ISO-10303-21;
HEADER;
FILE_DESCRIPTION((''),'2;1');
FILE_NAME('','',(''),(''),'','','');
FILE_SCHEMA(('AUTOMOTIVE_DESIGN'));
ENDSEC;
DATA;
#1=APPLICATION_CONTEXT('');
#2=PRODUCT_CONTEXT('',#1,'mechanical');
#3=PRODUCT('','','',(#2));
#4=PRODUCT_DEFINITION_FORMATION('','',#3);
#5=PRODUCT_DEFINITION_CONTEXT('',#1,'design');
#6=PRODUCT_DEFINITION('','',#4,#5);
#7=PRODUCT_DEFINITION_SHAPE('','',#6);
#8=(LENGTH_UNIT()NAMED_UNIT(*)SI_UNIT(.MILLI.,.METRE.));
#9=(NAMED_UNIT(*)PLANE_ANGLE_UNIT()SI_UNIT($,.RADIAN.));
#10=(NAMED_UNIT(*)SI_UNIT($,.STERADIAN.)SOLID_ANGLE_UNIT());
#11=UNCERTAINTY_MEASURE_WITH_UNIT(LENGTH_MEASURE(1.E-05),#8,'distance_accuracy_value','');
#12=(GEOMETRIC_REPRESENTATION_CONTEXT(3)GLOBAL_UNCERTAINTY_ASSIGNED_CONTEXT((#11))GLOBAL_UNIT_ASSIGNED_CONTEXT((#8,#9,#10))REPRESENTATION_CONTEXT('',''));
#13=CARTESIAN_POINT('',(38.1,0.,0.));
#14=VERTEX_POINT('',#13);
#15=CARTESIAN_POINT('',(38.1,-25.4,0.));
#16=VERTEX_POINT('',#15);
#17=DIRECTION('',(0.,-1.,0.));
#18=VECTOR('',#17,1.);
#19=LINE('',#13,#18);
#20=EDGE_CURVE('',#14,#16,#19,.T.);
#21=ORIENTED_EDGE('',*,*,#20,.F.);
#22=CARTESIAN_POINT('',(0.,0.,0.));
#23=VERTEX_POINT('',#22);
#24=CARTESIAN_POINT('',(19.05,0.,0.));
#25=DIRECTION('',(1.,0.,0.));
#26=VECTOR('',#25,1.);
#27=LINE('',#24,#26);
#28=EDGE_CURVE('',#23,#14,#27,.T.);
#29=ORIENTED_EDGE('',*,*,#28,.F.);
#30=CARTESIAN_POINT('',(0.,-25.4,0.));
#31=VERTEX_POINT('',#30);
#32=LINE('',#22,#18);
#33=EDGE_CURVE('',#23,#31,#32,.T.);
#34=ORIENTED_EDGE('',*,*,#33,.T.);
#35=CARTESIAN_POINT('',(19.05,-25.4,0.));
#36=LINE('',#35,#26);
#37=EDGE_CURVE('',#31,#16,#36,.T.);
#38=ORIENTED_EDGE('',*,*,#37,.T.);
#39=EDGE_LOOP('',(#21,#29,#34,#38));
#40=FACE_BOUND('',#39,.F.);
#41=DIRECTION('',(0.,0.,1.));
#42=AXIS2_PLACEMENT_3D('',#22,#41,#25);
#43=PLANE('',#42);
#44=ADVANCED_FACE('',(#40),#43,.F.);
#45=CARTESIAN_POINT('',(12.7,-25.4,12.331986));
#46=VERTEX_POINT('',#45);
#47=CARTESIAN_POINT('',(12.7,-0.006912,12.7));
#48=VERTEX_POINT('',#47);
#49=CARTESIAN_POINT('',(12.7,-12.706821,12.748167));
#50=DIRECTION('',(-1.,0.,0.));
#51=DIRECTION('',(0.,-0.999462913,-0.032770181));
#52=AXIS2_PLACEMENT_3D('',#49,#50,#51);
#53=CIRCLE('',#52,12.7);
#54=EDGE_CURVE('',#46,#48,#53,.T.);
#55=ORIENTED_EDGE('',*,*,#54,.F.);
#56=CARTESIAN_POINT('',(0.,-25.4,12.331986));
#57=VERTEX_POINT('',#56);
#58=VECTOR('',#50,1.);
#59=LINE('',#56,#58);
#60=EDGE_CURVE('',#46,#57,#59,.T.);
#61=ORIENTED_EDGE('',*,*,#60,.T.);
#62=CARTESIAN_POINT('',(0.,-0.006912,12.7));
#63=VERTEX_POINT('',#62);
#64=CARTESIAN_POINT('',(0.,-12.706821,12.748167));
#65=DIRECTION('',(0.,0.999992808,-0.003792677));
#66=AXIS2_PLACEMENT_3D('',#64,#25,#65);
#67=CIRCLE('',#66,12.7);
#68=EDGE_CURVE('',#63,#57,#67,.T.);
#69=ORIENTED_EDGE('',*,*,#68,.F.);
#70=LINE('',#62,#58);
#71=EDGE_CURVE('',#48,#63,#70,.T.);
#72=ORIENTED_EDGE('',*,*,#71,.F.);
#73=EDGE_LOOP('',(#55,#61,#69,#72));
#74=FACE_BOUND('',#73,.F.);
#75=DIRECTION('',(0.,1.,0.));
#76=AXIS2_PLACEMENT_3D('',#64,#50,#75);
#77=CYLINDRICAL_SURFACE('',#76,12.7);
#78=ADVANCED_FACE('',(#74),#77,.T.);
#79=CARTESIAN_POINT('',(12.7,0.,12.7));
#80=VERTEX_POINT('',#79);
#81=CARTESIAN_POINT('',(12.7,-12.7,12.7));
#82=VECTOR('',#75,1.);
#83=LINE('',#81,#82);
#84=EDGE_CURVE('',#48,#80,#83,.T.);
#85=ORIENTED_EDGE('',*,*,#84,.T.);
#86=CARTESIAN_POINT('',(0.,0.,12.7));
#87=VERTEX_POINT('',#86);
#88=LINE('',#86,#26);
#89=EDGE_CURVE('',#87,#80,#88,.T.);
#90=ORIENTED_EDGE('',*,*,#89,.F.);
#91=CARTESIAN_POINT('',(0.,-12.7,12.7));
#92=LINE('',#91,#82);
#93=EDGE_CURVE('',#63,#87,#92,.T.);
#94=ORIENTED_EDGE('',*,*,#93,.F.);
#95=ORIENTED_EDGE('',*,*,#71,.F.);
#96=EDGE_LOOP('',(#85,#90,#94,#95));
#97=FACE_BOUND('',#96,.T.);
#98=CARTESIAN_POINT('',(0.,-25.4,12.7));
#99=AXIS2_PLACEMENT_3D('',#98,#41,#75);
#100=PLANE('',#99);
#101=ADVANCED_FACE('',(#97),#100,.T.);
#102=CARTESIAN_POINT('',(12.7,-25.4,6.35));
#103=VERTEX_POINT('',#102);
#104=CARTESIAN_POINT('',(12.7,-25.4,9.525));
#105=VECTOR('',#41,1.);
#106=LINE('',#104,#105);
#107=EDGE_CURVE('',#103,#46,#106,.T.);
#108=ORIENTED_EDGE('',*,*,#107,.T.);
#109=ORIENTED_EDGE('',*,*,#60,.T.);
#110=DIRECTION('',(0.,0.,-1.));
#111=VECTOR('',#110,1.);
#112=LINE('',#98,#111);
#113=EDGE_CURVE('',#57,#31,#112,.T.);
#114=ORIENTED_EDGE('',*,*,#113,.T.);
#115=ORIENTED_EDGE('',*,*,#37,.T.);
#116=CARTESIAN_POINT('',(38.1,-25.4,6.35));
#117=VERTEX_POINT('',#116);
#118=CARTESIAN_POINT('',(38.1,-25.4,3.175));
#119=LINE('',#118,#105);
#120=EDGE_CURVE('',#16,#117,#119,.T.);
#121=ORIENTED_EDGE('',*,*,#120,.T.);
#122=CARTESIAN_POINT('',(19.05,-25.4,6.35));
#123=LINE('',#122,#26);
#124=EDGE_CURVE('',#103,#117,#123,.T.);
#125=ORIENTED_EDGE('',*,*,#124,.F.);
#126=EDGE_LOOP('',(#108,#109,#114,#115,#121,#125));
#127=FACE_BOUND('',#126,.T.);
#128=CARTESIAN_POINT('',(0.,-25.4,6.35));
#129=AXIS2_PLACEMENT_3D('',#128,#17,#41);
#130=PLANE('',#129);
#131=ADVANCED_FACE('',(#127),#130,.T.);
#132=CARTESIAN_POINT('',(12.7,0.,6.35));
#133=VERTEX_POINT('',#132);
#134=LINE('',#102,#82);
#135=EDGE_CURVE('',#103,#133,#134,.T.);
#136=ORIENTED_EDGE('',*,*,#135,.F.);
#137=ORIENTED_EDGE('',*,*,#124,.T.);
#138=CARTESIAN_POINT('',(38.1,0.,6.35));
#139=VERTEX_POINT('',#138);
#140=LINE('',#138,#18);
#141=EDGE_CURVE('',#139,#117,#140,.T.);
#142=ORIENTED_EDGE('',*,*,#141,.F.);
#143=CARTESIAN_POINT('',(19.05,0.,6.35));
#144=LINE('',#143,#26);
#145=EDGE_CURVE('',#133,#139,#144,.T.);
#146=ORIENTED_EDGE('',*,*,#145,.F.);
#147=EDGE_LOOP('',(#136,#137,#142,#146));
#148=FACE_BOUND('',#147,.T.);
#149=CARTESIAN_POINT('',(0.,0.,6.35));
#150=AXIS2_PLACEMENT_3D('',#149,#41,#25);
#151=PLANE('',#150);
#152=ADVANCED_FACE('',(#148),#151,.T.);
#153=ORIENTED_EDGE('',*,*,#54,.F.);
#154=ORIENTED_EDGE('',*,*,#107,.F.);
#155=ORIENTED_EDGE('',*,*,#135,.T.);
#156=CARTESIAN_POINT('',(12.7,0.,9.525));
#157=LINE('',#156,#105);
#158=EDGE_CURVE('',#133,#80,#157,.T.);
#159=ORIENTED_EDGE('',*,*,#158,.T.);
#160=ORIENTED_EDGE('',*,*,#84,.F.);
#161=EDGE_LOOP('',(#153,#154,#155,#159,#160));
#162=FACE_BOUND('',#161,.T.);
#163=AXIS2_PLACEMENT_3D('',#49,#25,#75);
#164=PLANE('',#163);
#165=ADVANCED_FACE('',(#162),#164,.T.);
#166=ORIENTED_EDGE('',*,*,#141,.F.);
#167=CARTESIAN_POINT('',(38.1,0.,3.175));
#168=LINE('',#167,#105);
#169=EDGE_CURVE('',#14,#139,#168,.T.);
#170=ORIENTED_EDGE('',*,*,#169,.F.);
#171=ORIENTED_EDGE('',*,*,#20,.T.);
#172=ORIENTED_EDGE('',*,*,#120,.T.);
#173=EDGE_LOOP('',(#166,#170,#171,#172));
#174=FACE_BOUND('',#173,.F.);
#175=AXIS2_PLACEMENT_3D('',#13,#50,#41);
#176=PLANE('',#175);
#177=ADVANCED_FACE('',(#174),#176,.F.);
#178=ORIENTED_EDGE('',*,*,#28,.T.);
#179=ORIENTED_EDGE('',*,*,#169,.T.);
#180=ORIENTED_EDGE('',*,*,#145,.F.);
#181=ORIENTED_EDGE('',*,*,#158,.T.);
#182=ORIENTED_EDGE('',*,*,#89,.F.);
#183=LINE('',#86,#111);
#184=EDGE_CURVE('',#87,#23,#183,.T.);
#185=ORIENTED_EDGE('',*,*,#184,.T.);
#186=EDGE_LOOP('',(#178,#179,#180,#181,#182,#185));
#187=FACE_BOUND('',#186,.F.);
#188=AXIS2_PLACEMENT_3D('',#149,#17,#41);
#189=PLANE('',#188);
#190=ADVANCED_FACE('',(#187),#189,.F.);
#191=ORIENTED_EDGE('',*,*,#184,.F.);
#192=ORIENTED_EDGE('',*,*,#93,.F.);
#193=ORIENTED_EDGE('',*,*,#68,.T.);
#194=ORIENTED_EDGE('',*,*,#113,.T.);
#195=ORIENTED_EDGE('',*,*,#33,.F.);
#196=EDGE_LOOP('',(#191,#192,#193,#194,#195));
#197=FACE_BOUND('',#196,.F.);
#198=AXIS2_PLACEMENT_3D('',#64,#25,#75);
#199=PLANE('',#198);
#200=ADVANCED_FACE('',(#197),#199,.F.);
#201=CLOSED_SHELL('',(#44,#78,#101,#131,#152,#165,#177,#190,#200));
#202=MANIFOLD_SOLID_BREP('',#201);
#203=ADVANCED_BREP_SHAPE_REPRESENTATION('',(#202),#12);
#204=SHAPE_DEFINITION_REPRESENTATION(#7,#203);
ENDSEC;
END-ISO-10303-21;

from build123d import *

# Parameters (mm, degrees)
F0_W     = 38.1
F0_H     = 6.35
F1_DEPTH = 25.4
F2_W     = 25.4
F2_H     = 6.35
F3_DEPTH = 12.7
F4_R     = 12.7
F5_DEPTH = 12.7


with BuildPart() as f1:
    # F0 (on Front) → F1 (new body)
    with BuildSketch(Plane.XZ):
        with Locations((19.05, 3.175)):
            Rectangle(F0_W, F0_H)
    extrude(amount=F1_DEPTH)

    # F2 (on Right) → F3 (join)
    with BuildSketch(Plane.YZ):
        with Locations((-12.7, 9.525)):
            Rectangle(F2_W, F2_H)
    extrude(amount=F3_DEPTH)

    # F4 (on Right) → F5 (join)
    with BuildSketch(Plane.YZ):
        with Locations((-12.706821, 12.748167)):
            Circle(F4_R)
    extrude(amount=F5_DEPTH)


solid = f1.part
